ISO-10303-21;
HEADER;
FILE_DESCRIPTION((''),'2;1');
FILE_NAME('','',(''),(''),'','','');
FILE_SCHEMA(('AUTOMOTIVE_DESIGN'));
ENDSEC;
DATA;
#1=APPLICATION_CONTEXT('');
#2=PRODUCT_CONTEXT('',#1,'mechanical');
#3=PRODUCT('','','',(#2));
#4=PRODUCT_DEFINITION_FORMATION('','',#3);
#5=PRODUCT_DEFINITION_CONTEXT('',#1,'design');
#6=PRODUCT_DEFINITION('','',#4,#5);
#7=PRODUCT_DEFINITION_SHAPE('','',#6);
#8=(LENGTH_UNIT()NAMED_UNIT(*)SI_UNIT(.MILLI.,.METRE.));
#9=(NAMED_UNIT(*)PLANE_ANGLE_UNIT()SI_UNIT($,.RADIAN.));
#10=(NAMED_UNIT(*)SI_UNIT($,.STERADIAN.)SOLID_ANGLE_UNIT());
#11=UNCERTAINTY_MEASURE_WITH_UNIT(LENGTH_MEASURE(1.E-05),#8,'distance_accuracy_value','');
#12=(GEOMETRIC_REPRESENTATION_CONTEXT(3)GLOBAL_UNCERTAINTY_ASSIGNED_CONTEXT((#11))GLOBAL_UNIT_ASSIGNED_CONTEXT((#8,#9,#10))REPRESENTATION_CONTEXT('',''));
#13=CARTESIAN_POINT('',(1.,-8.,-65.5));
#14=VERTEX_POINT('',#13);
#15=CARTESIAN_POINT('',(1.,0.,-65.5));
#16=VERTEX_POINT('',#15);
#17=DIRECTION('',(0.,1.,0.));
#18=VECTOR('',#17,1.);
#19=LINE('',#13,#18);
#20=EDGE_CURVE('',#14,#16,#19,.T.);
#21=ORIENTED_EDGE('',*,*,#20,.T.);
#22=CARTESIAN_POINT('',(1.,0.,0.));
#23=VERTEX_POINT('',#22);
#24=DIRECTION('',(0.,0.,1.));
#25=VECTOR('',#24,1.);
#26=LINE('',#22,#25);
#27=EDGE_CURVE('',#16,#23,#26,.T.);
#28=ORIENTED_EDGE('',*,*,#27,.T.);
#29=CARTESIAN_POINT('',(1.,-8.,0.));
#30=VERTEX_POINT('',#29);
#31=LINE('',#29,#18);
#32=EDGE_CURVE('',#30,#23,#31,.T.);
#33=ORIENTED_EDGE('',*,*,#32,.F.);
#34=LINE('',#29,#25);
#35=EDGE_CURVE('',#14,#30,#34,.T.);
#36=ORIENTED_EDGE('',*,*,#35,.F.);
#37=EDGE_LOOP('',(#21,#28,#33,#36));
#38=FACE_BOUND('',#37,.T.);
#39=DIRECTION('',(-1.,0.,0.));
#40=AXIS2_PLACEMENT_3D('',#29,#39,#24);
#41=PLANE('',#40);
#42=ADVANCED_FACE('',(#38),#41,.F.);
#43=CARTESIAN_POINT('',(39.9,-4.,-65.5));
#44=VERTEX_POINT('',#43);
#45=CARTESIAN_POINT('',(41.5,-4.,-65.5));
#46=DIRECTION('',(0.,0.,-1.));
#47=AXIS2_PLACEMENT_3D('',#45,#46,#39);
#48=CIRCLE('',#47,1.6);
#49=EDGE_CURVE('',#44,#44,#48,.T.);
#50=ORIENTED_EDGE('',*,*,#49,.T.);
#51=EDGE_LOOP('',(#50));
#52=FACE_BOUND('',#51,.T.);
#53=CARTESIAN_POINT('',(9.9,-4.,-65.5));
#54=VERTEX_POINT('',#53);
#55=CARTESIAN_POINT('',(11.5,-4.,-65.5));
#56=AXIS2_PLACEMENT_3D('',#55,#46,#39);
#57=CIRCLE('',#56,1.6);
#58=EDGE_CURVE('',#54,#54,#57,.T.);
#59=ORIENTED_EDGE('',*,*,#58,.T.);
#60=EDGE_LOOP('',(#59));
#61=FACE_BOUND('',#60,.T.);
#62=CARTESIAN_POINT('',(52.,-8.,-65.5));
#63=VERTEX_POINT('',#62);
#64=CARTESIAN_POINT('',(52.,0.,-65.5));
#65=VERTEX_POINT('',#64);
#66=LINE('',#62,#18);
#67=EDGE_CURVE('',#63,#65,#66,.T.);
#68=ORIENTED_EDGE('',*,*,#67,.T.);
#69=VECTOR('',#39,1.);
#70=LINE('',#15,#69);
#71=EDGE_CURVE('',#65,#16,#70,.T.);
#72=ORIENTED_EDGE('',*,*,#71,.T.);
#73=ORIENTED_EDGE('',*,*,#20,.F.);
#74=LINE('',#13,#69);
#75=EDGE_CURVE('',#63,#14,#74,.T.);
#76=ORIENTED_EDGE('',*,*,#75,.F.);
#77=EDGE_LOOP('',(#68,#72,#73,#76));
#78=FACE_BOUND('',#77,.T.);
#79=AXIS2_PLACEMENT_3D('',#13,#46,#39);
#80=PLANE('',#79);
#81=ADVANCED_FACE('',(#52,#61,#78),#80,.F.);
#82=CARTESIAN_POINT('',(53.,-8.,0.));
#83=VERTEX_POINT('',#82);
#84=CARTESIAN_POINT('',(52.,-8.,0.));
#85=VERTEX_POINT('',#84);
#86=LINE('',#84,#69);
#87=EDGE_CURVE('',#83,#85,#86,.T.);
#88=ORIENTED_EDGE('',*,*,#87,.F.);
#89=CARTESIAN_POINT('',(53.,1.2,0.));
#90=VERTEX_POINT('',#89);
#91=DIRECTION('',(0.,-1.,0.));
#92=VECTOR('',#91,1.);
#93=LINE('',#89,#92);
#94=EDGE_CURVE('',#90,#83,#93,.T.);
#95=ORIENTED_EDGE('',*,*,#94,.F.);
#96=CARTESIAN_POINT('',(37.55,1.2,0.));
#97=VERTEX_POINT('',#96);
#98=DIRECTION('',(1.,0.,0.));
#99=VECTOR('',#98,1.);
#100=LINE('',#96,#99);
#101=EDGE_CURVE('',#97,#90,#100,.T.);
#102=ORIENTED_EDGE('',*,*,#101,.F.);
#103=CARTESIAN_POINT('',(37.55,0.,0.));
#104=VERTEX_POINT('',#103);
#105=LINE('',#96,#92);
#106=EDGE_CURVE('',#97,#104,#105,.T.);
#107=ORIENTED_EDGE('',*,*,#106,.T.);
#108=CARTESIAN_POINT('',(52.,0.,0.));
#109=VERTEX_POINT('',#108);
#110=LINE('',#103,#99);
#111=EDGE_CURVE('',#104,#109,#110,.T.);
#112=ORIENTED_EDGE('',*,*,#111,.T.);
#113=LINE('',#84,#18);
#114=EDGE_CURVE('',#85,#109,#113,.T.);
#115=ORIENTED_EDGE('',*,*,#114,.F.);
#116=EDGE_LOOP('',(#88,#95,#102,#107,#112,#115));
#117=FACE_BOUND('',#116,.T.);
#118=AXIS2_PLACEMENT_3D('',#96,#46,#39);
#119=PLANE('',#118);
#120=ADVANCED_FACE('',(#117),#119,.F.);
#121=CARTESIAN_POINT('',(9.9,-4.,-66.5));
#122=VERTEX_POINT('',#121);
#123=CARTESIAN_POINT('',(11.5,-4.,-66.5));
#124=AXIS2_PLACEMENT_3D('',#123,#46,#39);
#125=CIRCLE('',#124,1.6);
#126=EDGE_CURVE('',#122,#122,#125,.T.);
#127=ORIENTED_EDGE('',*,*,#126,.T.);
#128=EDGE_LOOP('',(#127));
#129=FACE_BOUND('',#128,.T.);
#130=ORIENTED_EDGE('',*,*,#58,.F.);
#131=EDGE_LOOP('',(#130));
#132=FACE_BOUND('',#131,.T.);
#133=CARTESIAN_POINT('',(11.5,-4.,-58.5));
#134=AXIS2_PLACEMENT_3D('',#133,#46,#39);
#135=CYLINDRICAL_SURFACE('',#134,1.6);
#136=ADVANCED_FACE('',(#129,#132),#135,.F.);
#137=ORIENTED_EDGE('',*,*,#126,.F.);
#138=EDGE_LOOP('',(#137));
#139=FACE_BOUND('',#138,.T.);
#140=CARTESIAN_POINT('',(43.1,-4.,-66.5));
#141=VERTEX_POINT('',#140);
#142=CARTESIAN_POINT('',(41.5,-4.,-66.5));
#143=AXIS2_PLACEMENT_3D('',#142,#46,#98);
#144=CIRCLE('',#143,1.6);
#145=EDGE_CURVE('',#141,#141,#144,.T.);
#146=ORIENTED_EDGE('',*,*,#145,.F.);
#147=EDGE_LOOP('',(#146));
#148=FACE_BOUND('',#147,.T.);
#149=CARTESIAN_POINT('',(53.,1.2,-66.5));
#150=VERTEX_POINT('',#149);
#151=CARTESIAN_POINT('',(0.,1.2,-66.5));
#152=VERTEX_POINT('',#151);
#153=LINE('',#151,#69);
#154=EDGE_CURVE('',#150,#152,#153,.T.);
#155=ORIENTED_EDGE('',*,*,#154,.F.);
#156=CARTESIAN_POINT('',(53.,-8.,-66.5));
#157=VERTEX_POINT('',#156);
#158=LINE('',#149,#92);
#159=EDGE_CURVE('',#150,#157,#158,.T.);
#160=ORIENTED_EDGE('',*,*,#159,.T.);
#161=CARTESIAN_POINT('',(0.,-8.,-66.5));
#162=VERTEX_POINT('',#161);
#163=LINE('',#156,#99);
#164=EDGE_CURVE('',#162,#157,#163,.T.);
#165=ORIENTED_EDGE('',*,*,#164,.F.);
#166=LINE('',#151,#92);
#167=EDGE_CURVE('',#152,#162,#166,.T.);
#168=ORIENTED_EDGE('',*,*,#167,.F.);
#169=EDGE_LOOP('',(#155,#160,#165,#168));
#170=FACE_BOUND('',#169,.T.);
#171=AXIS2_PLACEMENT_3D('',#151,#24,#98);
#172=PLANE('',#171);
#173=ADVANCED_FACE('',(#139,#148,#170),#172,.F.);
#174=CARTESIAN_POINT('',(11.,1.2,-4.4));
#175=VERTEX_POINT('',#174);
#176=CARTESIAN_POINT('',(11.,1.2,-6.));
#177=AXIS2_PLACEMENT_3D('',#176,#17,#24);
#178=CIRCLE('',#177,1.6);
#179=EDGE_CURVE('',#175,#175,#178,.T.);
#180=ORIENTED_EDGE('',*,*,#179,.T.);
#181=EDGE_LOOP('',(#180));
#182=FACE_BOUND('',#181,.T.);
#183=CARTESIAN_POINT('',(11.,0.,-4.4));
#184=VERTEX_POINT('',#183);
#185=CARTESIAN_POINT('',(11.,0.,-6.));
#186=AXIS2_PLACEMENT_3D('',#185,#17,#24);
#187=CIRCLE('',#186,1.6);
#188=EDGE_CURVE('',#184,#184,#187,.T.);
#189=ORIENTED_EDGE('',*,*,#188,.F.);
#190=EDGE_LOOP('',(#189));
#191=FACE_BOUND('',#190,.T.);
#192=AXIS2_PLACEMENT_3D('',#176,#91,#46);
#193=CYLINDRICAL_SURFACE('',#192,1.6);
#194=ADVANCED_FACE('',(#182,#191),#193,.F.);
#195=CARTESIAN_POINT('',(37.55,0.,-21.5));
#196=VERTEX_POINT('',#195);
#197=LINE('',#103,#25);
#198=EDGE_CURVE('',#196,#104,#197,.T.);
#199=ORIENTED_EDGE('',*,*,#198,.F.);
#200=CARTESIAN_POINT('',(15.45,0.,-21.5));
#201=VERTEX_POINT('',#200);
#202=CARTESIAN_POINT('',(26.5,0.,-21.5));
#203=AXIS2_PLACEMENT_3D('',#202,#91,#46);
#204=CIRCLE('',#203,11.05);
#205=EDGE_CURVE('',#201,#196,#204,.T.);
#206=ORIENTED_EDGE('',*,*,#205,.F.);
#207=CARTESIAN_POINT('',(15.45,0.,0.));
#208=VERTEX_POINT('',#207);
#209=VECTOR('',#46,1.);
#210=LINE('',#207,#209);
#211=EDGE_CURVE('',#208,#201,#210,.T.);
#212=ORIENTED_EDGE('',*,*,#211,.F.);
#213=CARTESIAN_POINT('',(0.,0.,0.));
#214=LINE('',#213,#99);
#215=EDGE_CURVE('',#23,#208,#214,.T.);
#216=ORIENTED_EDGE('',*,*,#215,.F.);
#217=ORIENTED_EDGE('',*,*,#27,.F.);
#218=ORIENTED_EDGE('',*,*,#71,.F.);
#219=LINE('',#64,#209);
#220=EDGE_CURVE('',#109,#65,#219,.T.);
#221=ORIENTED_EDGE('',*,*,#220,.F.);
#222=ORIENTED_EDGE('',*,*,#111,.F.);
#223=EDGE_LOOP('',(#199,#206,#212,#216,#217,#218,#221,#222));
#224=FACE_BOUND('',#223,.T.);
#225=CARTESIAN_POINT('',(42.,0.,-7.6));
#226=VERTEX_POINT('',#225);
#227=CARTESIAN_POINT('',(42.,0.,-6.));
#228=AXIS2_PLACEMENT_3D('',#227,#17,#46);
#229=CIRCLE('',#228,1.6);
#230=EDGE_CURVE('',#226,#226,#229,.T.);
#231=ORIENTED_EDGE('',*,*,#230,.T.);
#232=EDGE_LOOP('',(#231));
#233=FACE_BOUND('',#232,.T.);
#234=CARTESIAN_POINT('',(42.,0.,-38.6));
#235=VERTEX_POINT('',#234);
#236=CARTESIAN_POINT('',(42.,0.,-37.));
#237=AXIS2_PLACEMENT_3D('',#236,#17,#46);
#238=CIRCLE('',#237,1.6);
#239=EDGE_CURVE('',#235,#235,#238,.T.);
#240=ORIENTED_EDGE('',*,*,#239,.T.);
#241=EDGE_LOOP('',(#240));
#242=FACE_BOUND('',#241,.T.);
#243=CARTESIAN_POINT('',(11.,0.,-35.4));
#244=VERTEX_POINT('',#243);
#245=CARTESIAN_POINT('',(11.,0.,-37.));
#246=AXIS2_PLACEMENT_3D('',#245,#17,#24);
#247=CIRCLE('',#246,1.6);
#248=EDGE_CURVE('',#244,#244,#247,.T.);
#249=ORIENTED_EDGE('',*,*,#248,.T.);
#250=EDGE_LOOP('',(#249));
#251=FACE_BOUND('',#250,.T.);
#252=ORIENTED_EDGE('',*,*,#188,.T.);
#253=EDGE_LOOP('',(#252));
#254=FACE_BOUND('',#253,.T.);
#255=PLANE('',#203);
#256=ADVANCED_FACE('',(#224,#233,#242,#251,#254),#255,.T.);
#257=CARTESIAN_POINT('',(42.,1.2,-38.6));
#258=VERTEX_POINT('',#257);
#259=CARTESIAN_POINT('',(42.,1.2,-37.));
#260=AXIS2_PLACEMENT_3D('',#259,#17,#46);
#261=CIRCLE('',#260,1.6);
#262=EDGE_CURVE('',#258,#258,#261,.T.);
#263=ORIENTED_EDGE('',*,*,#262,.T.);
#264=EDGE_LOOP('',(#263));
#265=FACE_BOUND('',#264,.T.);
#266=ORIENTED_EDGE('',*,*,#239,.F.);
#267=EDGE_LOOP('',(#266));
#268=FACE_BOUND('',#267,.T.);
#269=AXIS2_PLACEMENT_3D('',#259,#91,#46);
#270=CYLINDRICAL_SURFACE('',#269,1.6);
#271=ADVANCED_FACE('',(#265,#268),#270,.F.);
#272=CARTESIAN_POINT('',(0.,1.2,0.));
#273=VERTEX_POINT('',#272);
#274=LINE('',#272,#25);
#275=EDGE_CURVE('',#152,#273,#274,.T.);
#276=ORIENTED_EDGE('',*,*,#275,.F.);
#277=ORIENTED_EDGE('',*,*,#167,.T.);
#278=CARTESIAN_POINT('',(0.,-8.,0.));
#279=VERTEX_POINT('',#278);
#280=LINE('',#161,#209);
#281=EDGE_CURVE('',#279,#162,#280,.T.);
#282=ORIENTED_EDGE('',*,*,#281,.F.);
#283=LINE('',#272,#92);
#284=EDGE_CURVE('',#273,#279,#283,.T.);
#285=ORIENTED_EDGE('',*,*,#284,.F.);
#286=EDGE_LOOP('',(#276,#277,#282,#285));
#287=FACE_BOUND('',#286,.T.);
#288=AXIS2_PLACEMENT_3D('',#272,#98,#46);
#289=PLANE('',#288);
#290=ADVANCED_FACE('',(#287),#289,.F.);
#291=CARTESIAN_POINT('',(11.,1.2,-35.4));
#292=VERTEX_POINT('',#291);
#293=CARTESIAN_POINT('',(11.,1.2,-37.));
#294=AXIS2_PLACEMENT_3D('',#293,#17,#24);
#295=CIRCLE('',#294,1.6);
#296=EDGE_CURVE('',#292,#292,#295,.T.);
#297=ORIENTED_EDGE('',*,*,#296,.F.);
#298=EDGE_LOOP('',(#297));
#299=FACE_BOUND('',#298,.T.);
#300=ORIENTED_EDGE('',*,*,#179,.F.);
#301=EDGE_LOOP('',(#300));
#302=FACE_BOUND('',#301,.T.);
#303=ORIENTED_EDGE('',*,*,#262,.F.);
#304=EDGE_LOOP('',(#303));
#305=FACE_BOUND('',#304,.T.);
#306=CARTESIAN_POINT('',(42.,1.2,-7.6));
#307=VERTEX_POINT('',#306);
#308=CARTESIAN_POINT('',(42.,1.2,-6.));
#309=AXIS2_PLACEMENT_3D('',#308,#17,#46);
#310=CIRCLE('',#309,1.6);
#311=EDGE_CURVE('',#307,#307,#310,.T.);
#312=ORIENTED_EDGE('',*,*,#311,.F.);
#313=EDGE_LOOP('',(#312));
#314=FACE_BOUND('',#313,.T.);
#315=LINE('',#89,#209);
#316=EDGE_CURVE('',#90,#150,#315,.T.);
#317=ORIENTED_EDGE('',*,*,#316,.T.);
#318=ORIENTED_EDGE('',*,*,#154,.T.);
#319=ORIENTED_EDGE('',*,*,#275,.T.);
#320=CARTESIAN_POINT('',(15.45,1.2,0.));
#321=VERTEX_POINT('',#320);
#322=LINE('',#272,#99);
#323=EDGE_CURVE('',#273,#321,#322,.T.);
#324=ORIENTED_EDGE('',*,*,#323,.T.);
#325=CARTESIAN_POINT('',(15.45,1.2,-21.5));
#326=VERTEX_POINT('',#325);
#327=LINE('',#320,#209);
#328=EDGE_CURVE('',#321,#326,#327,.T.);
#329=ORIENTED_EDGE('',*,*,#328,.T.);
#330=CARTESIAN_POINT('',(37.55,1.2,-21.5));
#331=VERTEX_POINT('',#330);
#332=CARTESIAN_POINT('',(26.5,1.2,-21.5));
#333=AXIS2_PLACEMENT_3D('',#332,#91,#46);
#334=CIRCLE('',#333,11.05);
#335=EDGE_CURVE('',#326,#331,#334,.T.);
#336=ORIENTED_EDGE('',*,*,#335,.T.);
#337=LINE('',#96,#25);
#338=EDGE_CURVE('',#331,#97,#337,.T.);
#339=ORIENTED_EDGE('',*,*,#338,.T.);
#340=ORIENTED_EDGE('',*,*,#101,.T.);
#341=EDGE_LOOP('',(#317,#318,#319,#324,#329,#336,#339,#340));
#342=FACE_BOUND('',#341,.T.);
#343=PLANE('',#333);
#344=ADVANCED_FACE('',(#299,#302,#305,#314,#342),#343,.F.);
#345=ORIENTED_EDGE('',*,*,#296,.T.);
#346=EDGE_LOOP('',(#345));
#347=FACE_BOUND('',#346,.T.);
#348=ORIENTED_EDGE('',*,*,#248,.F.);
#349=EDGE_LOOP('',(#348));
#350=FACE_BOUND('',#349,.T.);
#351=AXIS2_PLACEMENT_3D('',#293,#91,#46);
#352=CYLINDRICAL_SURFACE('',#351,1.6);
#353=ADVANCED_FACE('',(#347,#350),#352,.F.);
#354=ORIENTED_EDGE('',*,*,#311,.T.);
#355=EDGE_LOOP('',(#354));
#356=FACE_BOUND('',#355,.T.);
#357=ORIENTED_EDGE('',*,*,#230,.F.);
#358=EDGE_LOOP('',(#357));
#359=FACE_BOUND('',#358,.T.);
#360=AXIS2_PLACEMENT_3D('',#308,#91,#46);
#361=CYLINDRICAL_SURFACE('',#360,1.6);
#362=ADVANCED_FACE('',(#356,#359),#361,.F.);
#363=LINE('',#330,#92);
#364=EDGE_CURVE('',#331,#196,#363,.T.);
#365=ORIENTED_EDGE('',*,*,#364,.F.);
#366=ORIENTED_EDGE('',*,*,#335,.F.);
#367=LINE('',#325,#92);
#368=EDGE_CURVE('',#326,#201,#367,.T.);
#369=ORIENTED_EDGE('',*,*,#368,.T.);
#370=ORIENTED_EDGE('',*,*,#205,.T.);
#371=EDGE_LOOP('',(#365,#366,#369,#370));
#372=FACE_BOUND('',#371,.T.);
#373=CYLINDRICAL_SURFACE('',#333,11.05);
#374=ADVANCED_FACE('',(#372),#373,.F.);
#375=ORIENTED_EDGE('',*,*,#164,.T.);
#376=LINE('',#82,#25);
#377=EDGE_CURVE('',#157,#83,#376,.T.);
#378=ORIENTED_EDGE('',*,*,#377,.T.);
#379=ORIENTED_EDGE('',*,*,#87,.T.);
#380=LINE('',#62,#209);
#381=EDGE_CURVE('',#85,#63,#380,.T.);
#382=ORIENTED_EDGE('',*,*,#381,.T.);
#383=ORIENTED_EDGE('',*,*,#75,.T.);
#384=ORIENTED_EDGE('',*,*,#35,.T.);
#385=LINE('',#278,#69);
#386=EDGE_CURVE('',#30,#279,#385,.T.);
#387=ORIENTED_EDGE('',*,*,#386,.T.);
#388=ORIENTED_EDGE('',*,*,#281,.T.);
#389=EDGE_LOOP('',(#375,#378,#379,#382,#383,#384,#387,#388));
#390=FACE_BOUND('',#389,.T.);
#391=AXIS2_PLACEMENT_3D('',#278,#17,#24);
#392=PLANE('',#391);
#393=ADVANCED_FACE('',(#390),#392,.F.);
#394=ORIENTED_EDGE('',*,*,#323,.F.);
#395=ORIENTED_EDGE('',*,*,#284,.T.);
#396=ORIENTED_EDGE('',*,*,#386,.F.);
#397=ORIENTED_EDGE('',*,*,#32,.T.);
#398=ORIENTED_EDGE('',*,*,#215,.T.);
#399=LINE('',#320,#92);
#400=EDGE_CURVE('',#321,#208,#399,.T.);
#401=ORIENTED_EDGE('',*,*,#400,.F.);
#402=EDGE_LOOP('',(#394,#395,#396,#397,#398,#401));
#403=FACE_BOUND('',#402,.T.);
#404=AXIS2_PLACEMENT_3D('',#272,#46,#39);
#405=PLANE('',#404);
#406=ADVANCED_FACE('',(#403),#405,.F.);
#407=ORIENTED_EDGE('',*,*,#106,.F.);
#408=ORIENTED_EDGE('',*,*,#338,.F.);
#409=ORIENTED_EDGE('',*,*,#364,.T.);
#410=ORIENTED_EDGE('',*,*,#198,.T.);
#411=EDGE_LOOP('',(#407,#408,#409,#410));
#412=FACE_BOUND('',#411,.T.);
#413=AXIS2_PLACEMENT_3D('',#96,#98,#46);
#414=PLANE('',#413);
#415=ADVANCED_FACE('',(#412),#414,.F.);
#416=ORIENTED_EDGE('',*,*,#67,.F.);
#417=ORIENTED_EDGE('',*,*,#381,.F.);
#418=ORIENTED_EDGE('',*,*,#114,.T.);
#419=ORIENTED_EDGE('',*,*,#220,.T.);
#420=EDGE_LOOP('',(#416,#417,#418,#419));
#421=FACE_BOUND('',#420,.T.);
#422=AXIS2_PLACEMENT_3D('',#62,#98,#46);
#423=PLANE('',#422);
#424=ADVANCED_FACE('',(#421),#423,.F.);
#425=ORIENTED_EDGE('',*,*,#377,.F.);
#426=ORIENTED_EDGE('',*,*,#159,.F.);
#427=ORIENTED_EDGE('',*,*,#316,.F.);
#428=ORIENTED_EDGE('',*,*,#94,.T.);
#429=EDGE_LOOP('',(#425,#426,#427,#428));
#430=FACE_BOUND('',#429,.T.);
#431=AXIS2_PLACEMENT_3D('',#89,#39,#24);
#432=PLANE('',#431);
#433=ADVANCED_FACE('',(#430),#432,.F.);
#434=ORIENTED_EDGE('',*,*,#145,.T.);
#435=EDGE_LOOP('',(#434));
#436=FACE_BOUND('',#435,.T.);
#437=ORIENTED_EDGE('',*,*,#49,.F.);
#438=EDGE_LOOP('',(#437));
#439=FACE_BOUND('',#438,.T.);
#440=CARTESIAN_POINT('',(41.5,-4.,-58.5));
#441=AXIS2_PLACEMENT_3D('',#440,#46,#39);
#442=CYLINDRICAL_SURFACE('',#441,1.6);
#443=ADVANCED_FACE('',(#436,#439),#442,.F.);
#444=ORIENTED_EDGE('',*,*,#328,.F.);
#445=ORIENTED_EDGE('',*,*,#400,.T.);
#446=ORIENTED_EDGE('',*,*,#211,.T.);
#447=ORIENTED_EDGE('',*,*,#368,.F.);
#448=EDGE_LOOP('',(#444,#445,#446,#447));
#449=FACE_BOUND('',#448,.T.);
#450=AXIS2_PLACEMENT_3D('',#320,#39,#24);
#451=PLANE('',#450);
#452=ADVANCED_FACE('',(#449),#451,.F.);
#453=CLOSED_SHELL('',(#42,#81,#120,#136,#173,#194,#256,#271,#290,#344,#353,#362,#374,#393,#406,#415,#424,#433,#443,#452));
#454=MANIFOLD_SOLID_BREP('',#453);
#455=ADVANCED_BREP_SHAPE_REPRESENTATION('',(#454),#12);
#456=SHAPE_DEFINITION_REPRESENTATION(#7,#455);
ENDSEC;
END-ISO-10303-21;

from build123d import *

# Parameters (mm, degrees)
SKETCH_1_R          = 1.6
EXTRUDE_1_DEPTH     = 1.2
EXTRUDE_2_DEPTH     = 8
SKETCH_3_R          = 1.6
CUT_EXTRUDE_1_DEPTH = 8


with BuildPart() as part:
    # 草图1 → 凸台-拉伸1 (new body)
    with BuildSketch(Plane(origin=(0, 0, 0), x_dir=(1, 0, 0), z_dir=(0, 1, 0))):
        with BuildLine():
            Line((15.45, 0), (15.45, 21.5))
            ThreePointArc((15.45, 21.5), (26.5, 32.55), (37.55, 21.5))
            Line((37.55, 21.5), (37.55, 0))
            Line((37.55, 0), (53, 0))
            Line((53, 0), (53, 66.5))
            Line((53, 66.5), (0, 66.5))
            Line((0, 66.5), (0, 0))
            Line((0, 0), (15.45, 0))
        make_face()
        with Locations(Location((11, 6, 0), (0, 0, 270))):
            Circle(SKETCH_1_R, mode=Mode.SUBTRACT)
        with Locations(Location((11, 37, 0), (0, 0, 270))):
            Circle(SKETCH_1_R, mode=Mode.SUBTRACT)
        with Locations(Location((42, 37, 0), (0, 0, 90))):
            Circle(SKETCH_1_R, mode=Mode.SUBTRACT)
        with Locations(Location((42, 6, 0), (0, 0, 90))):
            Circle(SKETCH_1_R, mode=Mode.SUBTRACT)
    extrude(amount=EXTRUDE_1_DEPTH)

    # 草图2 → 凸台-拉伸2 (add)
    with BuildSketch(Plane.XZ):
        Polygon((1, 0), (1, -65.5), (52, -65.5), (52, 0), (53, 0), (53, -66.5), (0, -66.5), (0, 0), align=None)
    extrude(amount=EXTRUDE_2_DEPTH)

    # 草图3 → 切除-拉伸1 (cut)
    with BuildSketch(Plane(origin=(0, 0, -66.5), x_dir=(-1, 0, 0), z_dir=(0, 0, -1))):
        with Locations((-11.5, -4)):
            Circle(SKETCH_3_R)
        with Locations((-41.5, -4)):
            Circle(SKETCH_3_R)
    extrude(amount=-CUT_EXTRUDE_1_DEPTH, mode=Mode.SUBTRACT)


solid = part.part
